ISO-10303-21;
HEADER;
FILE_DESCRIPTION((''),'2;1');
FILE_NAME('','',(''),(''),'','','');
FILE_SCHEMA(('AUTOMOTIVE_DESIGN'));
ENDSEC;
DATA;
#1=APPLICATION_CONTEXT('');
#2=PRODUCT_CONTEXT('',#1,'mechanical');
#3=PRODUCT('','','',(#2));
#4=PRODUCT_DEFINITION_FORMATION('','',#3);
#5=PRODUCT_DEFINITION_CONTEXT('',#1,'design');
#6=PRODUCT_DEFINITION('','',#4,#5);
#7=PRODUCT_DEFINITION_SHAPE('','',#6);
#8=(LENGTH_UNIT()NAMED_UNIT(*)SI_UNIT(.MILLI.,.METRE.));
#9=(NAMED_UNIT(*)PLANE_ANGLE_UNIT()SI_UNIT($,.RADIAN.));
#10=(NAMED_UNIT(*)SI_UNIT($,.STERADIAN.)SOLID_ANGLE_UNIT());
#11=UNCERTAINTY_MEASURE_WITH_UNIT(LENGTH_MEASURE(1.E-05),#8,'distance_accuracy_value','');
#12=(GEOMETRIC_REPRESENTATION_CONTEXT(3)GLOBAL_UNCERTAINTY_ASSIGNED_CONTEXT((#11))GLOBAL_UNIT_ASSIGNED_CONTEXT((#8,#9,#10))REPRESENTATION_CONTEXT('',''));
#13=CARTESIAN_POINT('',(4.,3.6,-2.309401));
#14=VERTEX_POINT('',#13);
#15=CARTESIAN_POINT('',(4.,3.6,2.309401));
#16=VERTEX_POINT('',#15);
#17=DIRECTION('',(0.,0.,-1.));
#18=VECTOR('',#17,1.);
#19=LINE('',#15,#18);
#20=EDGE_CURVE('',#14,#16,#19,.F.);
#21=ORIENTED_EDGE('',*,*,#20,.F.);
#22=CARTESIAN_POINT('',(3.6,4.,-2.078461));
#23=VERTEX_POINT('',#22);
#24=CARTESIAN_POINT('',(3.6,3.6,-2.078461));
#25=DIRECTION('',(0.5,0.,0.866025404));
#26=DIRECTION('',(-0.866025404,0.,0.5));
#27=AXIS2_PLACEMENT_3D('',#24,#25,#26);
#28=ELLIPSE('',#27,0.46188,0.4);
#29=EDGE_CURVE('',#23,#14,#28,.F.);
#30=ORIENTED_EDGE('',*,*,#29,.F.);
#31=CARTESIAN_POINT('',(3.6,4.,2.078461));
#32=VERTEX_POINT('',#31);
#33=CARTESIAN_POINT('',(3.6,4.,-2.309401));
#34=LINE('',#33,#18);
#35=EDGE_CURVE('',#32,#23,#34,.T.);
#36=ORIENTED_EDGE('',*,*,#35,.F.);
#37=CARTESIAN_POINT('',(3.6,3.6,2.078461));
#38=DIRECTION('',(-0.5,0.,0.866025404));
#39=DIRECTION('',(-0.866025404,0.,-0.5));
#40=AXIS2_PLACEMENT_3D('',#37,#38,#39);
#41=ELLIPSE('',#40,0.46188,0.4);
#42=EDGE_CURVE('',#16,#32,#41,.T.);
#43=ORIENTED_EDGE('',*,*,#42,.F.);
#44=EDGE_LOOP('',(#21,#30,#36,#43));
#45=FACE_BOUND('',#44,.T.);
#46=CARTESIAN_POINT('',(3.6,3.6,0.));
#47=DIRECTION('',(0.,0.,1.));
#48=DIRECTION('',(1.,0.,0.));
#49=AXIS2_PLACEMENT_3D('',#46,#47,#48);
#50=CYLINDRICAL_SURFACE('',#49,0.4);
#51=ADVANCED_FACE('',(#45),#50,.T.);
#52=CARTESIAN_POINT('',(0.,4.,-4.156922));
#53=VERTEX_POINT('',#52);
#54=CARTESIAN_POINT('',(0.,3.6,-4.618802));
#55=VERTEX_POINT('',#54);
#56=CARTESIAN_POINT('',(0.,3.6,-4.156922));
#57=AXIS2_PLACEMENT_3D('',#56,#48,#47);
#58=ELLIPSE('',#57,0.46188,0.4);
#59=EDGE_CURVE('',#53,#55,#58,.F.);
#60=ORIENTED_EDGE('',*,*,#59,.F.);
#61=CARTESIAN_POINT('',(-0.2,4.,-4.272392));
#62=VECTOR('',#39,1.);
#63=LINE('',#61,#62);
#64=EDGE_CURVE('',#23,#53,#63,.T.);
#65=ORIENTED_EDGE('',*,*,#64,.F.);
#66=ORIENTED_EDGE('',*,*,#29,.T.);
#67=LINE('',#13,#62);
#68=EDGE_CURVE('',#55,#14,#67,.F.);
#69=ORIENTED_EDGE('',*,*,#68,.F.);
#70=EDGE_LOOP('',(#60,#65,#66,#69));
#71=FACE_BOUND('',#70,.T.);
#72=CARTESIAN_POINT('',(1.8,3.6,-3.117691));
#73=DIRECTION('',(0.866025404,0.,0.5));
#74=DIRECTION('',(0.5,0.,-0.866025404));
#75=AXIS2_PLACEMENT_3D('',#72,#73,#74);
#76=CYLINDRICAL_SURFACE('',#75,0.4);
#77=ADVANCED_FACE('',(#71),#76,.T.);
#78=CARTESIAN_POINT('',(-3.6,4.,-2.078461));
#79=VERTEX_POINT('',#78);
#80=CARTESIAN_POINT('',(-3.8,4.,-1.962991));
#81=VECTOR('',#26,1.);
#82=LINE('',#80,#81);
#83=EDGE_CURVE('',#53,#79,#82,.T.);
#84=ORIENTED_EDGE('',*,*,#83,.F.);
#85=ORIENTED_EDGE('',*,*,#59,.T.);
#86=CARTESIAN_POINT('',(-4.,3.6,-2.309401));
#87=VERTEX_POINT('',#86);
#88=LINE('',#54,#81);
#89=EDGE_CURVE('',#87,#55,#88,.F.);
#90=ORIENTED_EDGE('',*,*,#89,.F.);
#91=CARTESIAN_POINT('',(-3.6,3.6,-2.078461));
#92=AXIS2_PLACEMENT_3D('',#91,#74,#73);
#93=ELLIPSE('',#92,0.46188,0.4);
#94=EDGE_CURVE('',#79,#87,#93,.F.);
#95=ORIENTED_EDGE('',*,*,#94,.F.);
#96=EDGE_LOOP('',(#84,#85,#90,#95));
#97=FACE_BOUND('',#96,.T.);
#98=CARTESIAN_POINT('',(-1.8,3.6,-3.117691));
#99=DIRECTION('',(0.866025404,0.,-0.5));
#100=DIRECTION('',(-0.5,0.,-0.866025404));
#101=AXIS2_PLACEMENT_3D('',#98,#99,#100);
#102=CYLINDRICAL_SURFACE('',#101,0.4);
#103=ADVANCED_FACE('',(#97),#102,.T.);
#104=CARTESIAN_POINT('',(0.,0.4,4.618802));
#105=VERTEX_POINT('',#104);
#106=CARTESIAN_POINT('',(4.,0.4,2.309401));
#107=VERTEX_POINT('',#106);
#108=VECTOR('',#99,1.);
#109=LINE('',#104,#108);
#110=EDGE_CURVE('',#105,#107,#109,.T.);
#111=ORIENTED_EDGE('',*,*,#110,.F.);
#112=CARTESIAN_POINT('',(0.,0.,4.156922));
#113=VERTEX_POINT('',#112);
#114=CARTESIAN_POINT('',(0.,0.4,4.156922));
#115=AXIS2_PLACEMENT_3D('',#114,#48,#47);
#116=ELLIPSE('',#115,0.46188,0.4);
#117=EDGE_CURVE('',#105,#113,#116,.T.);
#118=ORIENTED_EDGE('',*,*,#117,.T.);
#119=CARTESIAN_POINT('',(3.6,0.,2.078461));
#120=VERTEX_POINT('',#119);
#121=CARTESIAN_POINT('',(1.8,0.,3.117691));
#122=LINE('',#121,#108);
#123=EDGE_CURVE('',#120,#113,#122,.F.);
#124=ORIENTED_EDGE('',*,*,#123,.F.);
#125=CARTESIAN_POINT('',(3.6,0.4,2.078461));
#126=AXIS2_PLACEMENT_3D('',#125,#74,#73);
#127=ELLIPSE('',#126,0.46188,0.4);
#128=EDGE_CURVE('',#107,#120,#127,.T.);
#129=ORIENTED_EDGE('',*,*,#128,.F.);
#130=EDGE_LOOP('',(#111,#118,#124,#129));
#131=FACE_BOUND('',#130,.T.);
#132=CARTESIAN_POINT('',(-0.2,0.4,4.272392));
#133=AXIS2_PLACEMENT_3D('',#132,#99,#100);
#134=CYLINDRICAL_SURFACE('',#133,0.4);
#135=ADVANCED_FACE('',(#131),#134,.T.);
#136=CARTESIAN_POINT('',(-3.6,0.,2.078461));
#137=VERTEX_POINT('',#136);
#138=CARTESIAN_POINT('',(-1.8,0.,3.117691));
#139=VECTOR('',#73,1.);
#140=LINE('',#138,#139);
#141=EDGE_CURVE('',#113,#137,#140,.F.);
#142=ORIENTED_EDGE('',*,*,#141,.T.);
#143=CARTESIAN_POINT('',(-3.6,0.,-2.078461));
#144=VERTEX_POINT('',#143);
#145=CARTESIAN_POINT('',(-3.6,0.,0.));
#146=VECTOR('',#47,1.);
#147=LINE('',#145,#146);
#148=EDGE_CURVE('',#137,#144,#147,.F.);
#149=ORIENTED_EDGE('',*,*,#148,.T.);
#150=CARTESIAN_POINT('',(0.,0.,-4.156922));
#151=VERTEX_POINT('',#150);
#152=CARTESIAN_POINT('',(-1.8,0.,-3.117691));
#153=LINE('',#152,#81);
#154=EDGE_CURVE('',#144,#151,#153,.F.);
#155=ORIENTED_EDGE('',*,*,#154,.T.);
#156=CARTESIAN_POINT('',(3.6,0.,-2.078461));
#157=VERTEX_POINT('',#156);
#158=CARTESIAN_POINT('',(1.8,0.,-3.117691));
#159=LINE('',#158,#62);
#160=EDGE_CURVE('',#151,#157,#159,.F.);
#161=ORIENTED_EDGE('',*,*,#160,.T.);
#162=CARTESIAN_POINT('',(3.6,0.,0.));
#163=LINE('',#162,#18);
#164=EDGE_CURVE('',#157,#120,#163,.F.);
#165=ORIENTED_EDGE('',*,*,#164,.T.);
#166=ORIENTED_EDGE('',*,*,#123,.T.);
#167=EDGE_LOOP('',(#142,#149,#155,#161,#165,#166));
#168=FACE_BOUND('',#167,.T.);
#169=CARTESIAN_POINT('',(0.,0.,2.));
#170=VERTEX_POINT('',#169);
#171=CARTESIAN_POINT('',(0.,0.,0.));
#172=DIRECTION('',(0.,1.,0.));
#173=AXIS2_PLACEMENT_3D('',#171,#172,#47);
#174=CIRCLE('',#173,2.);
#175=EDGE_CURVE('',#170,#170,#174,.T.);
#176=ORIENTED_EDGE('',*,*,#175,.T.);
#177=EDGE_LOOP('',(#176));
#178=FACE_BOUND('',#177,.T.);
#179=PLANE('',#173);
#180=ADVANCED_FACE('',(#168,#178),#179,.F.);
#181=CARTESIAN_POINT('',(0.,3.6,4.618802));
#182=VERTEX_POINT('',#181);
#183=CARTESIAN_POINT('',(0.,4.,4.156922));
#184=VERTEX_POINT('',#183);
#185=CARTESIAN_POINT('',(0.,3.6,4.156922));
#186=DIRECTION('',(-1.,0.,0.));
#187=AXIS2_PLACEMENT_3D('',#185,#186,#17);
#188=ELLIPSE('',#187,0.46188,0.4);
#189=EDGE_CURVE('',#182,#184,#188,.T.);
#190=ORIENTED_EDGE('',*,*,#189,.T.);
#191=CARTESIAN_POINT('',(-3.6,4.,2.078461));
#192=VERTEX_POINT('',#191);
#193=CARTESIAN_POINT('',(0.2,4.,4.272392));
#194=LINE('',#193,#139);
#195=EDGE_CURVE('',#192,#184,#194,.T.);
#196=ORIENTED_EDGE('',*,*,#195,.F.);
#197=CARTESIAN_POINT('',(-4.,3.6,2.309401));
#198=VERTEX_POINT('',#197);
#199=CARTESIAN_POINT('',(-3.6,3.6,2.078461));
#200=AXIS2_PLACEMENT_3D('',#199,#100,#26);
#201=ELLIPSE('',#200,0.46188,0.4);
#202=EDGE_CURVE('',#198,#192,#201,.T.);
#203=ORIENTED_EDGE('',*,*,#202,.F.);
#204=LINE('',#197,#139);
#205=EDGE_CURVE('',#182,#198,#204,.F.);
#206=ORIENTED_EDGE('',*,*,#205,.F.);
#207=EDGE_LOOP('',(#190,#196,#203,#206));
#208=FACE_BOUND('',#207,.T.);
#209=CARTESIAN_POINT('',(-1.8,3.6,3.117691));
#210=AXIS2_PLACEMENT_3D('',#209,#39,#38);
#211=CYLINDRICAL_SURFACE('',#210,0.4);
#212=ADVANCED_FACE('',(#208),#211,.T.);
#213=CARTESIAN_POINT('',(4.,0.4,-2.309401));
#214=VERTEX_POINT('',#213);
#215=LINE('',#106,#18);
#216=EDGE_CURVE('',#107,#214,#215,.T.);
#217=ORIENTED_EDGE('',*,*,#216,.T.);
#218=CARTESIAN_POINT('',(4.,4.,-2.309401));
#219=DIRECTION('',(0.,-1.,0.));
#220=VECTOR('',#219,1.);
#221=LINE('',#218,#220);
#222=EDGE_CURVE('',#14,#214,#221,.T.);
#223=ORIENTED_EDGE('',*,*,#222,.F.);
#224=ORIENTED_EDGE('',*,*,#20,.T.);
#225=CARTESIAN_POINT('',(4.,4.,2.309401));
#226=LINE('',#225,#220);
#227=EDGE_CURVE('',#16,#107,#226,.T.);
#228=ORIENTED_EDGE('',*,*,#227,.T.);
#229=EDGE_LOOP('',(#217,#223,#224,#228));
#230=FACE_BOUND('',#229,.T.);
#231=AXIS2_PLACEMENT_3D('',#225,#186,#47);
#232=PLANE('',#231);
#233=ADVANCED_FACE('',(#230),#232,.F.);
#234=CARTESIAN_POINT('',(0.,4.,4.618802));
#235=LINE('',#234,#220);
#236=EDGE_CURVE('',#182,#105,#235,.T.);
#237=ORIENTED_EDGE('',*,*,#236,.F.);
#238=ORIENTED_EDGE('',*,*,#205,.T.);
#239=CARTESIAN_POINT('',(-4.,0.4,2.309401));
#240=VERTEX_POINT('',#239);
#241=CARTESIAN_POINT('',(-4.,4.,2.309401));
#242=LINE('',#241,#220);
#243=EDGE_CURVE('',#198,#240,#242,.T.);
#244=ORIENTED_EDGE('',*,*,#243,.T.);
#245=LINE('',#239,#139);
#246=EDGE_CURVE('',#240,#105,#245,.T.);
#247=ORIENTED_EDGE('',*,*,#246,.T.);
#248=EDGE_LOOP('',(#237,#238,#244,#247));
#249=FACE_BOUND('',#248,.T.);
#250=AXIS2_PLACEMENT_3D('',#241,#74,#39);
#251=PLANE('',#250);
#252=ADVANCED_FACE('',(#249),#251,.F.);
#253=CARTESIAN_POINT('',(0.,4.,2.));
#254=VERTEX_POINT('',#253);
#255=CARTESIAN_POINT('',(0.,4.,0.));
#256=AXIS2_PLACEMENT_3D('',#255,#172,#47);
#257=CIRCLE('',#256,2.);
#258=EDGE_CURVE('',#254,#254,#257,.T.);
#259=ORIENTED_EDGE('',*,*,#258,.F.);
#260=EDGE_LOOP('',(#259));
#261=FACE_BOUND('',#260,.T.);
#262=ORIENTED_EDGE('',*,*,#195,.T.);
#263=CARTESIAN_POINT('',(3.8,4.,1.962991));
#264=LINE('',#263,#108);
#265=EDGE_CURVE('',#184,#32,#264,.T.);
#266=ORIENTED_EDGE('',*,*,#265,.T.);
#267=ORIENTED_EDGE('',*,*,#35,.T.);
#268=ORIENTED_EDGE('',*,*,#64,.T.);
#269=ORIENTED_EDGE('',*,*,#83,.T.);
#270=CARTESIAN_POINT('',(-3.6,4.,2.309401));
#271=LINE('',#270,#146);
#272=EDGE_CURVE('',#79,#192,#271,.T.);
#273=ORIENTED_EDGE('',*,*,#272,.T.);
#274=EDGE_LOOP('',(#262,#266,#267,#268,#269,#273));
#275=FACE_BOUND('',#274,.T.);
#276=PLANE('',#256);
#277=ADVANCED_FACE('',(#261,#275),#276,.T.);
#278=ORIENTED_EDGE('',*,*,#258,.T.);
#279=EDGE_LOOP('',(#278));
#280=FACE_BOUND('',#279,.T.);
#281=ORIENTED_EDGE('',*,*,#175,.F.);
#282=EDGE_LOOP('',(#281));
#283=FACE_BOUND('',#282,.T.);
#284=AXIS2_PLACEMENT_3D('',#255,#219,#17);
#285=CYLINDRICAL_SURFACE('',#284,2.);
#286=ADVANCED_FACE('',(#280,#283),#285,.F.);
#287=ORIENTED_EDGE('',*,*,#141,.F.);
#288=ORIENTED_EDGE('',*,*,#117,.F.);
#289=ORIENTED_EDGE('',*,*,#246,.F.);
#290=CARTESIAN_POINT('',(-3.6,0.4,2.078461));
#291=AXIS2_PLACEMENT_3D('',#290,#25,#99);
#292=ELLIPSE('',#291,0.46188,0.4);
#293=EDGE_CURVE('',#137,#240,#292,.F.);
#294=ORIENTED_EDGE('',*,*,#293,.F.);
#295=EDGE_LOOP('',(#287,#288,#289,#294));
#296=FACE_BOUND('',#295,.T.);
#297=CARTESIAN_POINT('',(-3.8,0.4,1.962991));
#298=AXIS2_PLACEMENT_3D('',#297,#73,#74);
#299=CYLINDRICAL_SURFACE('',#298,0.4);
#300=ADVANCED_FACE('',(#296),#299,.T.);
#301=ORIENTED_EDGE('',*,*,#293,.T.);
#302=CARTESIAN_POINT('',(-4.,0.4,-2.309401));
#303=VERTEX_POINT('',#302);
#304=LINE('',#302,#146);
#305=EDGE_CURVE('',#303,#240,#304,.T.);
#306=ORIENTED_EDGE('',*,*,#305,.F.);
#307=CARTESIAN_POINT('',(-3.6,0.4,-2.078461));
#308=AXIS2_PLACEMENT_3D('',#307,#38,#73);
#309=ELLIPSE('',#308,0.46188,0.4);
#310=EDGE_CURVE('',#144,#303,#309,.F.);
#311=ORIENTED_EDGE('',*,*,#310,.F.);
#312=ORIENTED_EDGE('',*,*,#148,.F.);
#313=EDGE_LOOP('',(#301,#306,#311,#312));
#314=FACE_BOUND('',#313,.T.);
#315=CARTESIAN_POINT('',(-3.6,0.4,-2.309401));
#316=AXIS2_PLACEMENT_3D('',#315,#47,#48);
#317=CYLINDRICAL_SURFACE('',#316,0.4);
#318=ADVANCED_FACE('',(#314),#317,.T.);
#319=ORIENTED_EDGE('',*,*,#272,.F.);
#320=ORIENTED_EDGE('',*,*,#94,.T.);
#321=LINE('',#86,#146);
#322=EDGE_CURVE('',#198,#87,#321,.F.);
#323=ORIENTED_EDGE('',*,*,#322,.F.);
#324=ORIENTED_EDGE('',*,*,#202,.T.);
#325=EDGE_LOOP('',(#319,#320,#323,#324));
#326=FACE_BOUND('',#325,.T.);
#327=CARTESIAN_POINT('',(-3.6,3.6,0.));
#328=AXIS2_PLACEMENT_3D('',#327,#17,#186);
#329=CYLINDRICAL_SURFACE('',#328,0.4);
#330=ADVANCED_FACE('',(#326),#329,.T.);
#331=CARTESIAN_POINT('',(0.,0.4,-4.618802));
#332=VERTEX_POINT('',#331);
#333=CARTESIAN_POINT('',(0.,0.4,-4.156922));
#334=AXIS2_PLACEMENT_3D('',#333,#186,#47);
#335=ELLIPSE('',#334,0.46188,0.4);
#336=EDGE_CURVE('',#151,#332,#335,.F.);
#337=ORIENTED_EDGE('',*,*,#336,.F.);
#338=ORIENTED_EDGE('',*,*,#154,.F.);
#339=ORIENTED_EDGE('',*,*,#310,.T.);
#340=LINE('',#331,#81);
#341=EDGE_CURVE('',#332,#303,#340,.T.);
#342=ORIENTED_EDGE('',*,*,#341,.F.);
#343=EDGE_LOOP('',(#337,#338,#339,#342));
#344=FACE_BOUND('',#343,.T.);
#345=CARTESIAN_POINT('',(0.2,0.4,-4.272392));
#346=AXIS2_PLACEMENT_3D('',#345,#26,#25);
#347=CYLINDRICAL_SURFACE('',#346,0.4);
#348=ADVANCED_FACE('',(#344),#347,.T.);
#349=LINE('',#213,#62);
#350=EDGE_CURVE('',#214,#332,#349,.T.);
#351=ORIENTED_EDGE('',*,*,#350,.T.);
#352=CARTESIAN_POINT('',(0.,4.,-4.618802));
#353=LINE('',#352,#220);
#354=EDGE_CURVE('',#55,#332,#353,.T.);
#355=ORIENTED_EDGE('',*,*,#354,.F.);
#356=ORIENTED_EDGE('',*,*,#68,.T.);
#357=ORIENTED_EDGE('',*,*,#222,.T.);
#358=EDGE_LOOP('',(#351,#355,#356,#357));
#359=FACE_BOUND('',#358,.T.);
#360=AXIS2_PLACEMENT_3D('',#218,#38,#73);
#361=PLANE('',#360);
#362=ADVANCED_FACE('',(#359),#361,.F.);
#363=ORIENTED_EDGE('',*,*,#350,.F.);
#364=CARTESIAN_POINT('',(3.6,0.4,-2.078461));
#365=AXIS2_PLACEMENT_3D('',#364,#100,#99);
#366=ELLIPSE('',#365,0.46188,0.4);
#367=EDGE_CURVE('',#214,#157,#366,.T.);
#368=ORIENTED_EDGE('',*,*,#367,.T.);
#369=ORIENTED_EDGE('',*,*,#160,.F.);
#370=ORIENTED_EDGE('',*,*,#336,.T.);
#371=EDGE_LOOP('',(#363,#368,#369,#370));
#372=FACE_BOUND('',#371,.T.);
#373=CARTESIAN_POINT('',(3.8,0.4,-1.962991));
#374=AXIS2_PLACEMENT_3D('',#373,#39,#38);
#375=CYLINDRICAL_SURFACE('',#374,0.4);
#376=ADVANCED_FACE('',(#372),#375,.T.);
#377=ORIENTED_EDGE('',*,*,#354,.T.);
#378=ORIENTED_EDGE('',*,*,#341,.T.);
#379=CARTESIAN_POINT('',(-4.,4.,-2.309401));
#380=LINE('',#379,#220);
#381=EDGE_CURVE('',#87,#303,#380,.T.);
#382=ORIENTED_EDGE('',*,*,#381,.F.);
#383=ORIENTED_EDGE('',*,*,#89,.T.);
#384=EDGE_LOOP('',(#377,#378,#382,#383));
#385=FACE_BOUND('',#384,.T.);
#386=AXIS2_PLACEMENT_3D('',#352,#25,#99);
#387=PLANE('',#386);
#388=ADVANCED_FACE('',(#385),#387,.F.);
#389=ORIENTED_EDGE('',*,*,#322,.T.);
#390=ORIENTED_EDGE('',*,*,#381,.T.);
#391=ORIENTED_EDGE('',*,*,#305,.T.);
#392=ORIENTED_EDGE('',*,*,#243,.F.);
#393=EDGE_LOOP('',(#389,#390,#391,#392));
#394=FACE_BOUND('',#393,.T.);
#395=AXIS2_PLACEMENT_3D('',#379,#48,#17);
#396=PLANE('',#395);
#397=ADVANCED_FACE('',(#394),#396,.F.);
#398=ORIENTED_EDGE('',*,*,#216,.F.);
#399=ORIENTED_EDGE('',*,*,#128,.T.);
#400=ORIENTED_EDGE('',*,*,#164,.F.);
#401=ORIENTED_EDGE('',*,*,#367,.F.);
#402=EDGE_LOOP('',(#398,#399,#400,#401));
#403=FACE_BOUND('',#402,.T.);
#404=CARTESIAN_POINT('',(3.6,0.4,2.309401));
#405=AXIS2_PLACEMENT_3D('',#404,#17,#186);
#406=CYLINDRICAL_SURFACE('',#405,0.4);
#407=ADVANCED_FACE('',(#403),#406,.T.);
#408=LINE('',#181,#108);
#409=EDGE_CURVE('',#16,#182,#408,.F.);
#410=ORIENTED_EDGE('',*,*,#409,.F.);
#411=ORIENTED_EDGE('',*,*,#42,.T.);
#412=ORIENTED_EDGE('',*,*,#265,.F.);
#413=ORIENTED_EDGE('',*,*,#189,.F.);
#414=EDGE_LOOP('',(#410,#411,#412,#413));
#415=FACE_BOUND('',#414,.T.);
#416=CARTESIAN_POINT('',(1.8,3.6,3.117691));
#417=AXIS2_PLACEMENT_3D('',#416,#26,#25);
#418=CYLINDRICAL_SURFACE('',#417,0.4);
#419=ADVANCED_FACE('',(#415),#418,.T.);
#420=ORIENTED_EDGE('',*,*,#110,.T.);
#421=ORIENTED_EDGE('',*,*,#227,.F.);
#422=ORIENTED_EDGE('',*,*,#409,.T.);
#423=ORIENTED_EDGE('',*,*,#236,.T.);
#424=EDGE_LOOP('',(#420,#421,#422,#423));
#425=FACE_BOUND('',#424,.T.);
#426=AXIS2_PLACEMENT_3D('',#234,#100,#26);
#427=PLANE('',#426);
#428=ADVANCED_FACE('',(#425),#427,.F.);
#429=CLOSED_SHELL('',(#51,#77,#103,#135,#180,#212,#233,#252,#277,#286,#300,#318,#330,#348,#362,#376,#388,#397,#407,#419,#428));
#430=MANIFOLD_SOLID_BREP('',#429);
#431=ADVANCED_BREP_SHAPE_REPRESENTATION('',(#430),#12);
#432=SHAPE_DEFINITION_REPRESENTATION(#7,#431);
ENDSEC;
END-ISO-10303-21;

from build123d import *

# Parameters (mm, degrees)
SKETCH1_R           = 2
BOSS_EXTRUDE1_DEPTH = 4
FILLET1_R           = 0.4


with BuildPart() as part:
    # Sketch1 → Boss-Extrude1 (new body)
    with BuildSketch(Plane(origin=(0, 0, 0), x_dir=(1, 0, 0), z_dir=(0, 1, 0))):
        Polygon((0, 4.618802154), (-4, 2.309401077), (-4, -2.309401077), (0, -4.618802154), (4, -2.309401077), (4, 2.309401077), align=None)
        with Locations(Location((0, 0, 0), (0, 0, 270))):
            Circle(SKETCH1_R, mode=Mode.SUBTRACT)
    extrude(amount=BOSS_EXTRUDE1_DEPTH)

    # Fillet1
    fillet1_edges = [part.edges().sort_by_distance(p)[0] for p in [
        (-4, 4, 0),
        (-2, 4, 3.464101615),
        (2, 4, 3.464101615),
        (4, 4, 0),
        (2, 4, -3.464101615),
        (4, 0, 0),
        (2, 0, 3.464101615),
        (-2, 0, 3.464101615),
        (-4, 0, 0),
        (-2, 0, -3.464101615),
        (2, 0, -3.464101615),
        (-2, 4, -3.464101615),
    ]]
    fillet(fillet1_edges, radius=FILLET1_R)


solid = part.part
